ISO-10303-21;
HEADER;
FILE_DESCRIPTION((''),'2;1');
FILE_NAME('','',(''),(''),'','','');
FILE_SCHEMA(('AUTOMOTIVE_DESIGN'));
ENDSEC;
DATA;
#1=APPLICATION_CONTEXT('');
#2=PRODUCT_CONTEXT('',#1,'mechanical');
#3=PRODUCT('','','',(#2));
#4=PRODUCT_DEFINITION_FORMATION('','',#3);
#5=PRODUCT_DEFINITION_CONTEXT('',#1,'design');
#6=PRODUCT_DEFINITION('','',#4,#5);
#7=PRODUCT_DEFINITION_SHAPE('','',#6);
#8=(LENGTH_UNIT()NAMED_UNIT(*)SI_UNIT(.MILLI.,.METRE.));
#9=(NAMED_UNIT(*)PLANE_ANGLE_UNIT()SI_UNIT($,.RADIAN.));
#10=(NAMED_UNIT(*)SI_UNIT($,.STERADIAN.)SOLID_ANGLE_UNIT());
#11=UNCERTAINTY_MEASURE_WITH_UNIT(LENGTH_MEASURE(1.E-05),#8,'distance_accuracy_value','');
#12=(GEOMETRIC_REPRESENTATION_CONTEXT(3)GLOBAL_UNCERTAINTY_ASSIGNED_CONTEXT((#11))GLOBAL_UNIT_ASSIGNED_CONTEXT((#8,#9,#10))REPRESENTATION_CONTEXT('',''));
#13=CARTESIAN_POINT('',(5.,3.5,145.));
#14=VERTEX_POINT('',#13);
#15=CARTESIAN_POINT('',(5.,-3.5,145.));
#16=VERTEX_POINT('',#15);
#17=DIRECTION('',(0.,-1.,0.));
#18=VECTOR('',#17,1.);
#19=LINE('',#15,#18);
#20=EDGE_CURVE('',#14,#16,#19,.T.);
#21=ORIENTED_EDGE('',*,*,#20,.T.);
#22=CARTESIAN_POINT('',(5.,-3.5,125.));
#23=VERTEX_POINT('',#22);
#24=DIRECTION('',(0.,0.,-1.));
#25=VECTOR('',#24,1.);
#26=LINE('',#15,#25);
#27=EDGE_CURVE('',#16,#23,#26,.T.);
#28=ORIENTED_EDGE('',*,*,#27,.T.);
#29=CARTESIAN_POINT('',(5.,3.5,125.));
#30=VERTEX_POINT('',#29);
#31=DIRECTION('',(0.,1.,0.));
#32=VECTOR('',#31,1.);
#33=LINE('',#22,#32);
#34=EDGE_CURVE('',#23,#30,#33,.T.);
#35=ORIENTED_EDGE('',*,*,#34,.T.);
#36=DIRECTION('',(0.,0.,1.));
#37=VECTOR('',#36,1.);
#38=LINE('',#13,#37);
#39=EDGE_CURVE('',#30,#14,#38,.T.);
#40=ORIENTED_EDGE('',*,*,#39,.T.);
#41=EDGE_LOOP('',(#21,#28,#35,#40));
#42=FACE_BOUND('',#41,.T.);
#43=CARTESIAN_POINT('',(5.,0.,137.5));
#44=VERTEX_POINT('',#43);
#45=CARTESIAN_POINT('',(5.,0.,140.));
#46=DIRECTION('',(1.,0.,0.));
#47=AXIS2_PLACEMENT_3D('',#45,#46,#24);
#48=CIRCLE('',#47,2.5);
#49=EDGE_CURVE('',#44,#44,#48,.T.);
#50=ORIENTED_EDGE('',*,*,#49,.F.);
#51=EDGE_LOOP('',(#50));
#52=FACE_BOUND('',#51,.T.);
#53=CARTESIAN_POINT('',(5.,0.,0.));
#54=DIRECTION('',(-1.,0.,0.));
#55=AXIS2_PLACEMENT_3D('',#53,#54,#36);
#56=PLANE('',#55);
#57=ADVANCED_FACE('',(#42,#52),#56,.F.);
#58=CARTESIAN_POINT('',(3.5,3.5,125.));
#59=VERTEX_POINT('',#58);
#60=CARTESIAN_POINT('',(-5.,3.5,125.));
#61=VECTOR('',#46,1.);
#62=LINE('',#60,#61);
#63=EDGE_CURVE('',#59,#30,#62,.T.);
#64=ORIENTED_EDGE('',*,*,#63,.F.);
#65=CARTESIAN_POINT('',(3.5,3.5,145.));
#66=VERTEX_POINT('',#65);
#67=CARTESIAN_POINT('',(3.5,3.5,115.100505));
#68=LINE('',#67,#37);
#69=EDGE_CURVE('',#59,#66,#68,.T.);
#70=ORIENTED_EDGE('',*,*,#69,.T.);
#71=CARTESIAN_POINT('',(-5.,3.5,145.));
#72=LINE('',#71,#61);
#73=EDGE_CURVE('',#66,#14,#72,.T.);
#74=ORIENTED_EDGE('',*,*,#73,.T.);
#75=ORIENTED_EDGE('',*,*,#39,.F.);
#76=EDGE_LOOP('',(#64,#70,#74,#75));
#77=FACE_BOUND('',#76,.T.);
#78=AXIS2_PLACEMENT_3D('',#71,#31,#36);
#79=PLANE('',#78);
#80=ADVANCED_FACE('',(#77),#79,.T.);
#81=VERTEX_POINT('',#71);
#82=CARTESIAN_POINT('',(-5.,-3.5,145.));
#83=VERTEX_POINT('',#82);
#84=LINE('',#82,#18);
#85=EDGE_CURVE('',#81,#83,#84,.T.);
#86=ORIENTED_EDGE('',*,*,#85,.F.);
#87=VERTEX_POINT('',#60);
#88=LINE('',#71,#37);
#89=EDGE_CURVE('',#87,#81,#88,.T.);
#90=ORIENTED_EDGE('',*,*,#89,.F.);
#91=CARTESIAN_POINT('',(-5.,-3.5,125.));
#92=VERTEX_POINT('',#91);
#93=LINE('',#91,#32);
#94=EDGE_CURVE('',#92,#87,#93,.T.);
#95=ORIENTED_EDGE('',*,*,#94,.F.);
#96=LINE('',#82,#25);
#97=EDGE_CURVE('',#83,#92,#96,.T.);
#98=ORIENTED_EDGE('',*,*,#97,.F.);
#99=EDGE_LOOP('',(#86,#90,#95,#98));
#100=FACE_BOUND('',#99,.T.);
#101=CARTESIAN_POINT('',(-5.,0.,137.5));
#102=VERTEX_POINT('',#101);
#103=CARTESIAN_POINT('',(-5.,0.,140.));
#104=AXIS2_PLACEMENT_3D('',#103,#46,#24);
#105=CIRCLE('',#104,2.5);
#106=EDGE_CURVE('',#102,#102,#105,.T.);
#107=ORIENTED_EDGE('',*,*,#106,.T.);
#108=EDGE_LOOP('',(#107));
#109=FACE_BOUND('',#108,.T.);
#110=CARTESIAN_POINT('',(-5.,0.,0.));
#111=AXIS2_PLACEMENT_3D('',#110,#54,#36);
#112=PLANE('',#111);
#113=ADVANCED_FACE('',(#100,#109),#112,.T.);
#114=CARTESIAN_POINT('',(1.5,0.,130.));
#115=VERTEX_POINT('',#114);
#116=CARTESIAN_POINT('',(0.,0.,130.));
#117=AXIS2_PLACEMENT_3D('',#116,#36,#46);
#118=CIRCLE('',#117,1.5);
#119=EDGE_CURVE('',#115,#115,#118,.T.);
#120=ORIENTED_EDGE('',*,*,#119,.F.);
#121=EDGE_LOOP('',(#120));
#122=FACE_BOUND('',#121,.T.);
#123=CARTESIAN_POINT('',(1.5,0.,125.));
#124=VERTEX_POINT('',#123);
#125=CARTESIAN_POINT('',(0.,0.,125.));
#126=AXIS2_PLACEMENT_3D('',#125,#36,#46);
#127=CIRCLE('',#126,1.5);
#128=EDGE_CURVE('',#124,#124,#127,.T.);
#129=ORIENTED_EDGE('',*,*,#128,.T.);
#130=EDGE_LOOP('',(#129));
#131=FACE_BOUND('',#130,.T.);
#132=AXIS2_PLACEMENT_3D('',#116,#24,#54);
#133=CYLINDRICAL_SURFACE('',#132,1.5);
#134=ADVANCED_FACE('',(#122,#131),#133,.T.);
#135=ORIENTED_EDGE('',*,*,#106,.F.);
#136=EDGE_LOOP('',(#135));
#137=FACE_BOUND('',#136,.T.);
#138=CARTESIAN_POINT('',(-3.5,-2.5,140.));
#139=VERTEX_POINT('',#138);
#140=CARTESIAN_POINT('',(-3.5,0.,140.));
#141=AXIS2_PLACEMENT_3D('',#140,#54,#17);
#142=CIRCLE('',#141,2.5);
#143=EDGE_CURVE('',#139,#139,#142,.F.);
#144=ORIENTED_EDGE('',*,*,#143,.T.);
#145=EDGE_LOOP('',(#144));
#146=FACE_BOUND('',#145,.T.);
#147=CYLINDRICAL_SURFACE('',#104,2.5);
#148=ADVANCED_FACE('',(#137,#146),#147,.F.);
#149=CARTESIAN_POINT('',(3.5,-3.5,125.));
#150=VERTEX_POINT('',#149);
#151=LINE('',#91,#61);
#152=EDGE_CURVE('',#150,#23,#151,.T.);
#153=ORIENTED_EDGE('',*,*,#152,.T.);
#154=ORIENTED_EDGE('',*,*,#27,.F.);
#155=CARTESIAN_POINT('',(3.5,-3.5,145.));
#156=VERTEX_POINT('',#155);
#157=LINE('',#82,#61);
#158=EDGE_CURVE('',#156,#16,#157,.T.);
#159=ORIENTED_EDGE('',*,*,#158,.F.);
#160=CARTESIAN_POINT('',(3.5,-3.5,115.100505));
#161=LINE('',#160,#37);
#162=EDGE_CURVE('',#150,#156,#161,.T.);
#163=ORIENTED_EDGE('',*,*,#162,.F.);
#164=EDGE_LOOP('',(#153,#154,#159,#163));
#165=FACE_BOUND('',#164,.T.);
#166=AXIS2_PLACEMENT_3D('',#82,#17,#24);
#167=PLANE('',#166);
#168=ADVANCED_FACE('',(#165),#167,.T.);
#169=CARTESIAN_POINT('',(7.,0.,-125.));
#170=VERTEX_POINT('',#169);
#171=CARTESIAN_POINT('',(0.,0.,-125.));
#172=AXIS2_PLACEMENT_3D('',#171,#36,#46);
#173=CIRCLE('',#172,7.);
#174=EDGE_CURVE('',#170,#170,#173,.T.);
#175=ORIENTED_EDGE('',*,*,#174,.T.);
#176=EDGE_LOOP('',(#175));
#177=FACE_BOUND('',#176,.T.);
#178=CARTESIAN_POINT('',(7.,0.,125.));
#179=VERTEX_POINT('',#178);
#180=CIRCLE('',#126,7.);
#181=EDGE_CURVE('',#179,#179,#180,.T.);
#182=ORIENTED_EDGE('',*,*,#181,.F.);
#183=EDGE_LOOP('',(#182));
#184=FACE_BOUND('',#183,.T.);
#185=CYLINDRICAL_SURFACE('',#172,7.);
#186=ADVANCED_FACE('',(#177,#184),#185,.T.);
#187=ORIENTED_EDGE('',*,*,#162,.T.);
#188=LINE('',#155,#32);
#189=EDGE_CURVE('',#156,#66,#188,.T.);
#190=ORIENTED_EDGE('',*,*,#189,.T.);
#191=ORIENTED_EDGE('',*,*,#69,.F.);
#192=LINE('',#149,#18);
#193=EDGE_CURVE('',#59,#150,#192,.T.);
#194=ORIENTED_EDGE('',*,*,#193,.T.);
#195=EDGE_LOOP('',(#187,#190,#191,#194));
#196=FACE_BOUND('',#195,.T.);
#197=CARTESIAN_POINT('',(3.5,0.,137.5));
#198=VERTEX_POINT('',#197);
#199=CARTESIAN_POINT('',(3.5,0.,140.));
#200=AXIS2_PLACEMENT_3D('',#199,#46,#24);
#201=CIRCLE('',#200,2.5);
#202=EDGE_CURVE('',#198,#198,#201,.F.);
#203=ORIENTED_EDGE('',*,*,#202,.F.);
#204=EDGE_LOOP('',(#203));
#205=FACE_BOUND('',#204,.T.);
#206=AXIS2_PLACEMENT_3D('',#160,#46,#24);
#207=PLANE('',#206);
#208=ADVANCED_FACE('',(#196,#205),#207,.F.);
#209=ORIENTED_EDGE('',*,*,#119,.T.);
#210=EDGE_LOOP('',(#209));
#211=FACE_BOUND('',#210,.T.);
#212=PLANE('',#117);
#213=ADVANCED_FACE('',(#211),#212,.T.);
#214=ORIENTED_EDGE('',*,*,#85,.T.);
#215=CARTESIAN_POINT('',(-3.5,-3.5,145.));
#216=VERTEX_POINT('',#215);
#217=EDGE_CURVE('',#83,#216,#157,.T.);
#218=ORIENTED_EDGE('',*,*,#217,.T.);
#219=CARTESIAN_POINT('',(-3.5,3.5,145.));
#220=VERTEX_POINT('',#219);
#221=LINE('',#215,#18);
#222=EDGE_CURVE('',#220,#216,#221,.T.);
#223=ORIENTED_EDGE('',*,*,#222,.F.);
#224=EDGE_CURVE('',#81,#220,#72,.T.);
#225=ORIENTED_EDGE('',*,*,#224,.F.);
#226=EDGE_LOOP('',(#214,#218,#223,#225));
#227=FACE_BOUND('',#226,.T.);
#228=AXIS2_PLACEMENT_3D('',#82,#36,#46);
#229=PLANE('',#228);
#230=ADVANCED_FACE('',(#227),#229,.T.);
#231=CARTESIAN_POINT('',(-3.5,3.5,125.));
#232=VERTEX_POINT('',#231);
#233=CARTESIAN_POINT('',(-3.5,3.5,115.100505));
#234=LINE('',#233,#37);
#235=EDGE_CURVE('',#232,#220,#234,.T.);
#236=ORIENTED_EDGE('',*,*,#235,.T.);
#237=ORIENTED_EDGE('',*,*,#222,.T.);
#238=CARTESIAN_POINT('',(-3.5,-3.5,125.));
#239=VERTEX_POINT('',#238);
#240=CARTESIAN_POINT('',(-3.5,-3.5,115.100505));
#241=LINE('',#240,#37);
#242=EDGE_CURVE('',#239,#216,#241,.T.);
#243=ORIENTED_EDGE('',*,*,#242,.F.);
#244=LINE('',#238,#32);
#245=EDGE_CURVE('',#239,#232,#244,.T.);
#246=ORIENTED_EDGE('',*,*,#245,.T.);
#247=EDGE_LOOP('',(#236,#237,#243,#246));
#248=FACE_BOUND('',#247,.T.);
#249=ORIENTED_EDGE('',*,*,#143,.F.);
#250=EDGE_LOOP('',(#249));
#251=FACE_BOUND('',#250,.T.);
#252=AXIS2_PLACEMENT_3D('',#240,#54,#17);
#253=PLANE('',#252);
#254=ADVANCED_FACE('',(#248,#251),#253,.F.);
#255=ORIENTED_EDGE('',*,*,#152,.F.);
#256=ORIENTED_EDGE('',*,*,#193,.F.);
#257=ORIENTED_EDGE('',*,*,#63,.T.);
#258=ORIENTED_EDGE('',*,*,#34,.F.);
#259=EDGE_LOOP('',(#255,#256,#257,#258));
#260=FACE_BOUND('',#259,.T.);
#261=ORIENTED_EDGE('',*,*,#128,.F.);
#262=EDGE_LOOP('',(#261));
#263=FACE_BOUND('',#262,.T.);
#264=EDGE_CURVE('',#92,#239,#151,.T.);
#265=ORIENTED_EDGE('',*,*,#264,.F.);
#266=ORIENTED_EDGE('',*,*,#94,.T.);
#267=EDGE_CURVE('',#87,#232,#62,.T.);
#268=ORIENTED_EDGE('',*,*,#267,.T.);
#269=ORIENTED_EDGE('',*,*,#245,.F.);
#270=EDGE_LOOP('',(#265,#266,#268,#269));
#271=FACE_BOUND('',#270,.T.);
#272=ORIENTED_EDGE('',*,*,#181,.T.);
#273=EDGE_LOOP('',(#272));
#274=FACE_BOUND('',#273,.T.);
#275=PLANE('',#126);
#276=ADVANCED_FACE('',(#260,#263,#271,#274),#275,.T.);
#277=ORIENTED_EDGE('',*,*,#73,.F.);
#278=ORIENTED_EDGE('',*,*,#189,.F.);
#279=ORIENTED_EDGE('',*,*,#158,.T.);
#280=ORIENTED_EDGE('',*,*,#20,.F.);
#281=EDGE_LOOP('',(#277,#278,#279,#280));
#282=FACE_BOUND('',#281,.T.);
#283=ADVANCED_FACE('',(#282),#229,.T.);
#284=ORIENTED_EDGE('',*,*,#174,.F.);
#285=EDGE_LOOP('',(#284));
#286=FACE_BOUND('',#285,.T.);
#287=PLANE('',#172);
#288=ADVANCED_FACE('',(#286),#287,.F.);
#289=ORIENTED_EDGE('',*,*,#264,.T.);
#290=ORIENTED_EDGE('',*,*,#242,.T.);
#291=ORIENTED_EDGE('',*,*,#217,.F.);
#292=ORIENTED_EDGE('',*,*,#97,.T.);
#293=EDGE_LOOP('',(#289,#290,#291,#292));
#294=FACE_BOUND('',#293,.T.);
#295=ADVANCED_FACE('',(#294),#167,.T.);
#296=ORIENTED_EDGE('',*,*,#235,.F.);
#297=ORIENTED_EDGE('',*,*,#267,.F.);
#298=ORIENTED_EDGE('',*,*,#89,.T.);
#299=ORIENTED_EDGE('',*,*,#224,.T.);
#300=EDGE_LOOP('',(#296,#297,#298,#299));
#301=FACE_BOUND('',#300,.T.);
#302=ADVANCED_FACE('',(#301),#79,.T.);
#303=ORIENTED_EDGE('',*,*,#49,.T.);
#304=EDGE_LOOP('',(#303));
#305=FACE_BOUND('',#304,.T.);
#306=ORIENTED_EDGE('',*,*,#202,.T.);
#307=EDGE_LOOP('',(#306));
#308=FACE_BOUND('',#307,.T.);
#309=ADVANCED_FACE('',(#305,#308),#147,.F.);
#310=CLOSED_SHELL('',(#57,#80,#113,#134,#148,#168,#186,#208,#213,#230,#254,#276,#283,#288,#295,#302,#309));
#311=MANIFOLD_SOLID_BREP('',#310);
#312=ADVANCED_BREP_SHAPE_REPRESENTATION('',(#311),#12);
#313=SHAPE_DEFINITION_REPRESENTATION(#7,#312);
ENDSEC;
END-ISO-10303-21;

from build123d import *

# Parameters (mm, degrees)
SKETCH1_R                = 7
BOSS_EXTRUDE1_DEPTH      = 125
BOSS_EXTRUDE1_DEPTH_BACK = 125
SKETCH2_W                = 20
SKETCH2_H                = 7
SKETCH2_R                = 2.5
BOSS_EXTRUDE2_DEPTH      = 5
BOSS_EXTRUDE2_DEPTH_BACK = 5
SKETCH4_W                = 7
SKETCH4_H                = 7
CUT_EXTRUDE1_DEPTH       = 20
SKETCH5_R                = 1.5
BOSS_EXTRUDE3_DEPTH      = 5


with BuildPart() as part:
    # Sketch1 → Boss-Extrude1 (new body, two sides)
    with BuildSketch(Plane.XY) as boss_extrude1_sk:
        Circle(SKETCH1_R)
    extrude(amount=BOSS_EXTRUDE1_DEPTH)
    extrude(boss_extrude1_sk.sketch, amount=-BOSS_EXTRUDE1_DEPTH_BACK)

    # Sketch2 → Boss-Extrude2 (add, two sides)
    with BuildSketch(Plane(origin=(0, 0, 0), x_dir=(0, 0, -1), z_dir=(1, 0, 0))) as boss_extrude2_sk:
        with Locations((-135, 0)):
            Rectangle(SKETCH2_W, SKETCH2_H)
        with Locations((-140, 0)):
            Circle(SKETCH2_R, mode=Mode.SUBTRACT)
    extrude(amount=BOSS_EXTRUDE2_DEPTH)
    extrude(boss_extrude2_sk.sketch, amount=-BOSS_EXTRUDE2_DEPTH_BACK)

    # Sketch4 → Cut-Extrude1 (cut)
    with BuildSketch(Plane.XY.offset(145)):
        Rectangle(SKETCH4_W, SKETCH4_H)
    extrude(amount=-CUT_EXTRUDE1_DEPTH, mode=Mode.SUBTRACT)

    # Sketch5 → Boss-Extrude3 (add)
    with BuildSketch(Plane.XY.offset(125)):
        Circle(SKETCH5_R)
    extrude(amount=BOSS_EXTRUDE3_DEPTH)


solid = part.part
